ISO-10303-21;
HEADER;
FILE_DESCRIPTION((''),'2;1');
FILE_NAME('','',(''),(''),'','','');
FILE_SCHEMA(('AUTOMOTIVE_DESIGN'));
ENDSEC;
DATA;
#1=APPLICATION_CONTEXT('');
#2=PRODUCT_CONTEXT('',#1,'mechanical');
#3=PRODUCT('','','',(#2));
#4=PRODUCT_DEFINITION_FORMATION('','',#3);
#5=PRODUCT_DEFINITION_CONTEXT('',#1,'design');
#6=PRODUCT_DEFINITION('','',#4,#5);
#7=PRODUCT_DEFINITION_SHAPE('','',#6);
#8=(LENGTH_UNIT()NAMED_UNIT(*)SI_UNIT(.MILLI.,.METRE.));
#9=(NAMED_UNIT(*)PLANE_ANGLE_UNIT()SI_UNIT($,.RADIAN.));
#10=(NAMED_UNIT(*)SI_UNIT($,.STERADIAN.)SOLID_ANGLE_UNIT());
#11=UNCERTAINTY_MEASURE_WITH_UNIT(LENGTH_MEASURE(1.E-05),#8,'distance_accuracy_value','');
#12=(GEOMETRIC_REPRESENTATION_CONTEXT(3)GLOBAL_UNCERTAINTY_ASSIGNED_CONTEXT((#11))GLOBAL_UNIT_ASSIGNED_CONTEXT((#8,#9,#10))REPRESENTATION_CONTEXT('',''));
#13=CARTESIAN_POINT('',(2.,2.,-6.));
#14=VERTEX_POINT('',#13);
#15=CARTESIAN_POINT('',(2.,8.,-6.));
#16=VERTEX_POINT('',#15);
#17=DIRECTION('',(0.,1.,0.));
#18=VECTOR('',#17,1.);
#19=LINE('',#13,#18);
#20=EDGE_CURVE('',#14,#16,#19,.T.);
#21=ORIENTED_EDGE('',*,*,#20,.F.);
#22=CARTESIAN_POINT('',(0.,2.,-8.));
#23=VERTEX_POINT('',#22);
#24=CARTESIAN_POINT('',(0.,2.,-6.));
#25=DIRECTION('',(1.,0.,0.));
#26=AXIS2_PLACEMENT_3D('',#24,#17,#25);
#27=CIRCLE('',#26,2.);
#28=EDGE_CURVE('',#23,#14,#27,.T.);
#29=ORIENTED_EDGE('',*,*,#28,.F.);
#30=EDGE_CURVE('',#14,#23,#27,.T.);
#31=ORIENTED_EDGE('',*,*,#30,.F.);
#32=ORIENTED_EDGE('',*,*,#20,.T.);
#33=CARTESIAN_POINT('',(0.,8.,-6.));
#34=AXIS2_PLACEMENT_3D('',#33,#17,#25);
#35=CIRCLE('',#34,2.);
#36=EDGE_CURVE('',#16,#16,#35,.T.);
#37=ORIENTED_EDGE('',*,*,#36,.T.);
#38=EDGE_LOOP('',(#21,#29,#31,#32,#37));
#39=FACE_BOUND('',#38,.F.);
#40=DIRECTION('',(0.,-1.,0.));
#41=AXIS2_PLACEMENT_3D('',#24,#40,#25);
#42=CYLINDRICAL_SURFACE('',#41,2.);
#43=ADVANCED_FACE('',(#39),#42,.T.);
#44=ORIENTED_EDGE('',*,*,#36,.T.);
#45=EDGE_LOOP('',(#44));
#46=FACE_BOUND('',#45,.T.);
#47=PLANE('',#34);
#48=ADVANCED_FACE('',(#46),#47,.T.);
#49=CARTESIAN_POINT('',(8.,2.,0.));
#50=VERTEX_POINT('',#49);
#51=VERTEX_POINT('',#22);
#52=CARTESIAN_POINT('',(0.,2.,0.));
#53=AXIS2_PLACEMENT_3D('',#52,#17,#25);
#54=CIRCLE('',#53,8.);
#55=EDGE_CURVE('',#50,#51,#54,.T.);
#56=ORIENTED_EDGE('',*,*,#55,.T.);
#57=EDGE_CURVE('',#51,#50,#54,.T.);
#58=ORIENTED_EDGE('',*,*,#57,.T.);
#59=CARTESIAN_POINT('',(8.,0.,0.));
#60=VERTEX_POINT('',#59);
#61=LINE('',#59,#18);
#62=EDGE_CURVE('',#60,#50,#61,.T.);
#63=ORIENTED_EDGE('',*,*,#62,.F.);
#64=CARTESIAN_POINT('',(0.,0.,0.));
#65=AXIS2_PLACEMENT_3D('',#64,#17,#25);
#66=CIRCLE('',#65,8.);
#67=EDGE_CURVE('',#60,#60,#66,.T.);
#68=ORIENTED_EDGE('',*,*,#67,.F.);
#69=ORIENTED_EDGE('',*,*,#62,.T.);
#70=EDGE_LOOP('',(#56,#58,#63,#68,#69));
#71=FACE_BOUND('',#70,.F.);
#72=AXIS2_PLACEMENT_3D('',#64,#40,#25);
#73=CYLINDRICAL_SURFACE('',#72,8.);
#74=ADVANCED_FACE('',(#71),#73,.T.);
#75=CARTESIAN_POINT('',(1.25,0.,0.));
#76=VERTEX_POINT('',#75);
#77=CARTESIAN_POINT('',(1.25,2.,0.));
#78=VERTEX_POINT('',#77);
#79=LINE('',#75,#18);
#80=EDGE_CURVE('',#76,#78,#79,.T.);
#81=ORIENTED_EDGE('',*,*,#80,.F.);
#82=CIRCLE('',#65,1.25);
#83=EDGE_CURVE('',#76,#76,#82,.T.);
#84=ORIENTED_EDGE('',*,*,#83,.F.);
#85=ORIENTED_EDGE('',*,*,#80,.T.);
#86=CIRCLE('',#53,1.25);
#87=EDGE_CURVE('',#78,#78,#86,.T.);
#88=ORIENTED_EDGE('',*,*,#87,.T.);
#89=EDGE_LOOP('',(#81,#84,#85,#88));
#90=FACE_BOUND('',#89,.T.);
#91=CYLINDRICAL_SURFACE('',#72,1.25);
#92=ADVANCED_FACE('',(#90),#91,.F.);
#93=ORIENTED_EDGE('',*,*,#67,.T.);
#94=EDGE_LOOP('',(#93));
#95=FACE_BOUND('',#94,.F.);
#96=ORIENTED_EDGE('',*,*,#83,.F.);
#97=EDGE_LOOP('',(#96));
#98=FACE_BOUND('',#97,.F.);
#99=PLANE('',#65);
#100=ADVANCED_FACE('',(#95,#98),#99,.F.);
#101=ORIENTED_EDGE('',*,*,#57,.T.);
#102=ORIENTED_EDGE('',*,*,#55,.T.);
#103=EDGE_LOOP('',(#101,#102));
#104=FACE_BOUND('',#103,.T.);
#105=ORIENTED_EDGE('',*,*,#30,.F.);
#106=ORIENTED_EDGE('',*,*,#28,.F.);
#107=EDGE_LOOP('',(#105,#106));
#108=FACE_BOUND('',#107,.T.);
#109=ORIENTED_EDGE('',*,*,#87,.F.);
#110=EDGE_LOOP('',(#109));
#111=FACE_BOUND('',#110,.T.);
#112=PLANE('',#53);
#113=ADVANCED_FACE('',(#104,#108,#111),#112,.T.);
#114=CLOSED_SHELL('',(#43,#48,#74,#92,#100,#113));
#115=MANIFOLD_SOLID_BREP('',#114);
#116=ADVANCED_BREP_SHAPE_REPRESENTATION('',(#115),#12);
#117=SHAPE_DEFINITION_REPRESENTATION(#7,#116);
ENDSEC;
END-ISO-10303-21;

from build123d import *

# Parameters (mm, degrees)
SKETCH_1_R      = 8
SKETCH_1_R_2    = 1.25
EXTRUDE_1_DEPTH = 2
SKETCH_3_R      = 2
EXTRUDE_2_DEPTH = 6


with BuildPart() as part:
    # 草图1 → 凸台-拉伸1 (new body)
    with BuildSketch(Plane(origin=(0, 0, 0), x_dir=(1, 0, 0), z_dir=(0, 1, 0))):
        Circle(SKETCH_1_R)
        Circle(SKETCH_1_R_2, mode=Mode.SUBTRACT)
    extrude(amount=EXTRUDE_1_DEPTH)

    # 草图3 → 凸台-拉伸2 (add)
    with BuildSketch(Plane(origin=(0, 2, 0), x_dir=(1, 0, 0), z_dir=(0, 1, 0))):
        with Locations((0, 6)):
            Circle(SKETCH_3_R)
    extrude(amount=EXTRUDE_2_DEPTH)


solid = part.part
